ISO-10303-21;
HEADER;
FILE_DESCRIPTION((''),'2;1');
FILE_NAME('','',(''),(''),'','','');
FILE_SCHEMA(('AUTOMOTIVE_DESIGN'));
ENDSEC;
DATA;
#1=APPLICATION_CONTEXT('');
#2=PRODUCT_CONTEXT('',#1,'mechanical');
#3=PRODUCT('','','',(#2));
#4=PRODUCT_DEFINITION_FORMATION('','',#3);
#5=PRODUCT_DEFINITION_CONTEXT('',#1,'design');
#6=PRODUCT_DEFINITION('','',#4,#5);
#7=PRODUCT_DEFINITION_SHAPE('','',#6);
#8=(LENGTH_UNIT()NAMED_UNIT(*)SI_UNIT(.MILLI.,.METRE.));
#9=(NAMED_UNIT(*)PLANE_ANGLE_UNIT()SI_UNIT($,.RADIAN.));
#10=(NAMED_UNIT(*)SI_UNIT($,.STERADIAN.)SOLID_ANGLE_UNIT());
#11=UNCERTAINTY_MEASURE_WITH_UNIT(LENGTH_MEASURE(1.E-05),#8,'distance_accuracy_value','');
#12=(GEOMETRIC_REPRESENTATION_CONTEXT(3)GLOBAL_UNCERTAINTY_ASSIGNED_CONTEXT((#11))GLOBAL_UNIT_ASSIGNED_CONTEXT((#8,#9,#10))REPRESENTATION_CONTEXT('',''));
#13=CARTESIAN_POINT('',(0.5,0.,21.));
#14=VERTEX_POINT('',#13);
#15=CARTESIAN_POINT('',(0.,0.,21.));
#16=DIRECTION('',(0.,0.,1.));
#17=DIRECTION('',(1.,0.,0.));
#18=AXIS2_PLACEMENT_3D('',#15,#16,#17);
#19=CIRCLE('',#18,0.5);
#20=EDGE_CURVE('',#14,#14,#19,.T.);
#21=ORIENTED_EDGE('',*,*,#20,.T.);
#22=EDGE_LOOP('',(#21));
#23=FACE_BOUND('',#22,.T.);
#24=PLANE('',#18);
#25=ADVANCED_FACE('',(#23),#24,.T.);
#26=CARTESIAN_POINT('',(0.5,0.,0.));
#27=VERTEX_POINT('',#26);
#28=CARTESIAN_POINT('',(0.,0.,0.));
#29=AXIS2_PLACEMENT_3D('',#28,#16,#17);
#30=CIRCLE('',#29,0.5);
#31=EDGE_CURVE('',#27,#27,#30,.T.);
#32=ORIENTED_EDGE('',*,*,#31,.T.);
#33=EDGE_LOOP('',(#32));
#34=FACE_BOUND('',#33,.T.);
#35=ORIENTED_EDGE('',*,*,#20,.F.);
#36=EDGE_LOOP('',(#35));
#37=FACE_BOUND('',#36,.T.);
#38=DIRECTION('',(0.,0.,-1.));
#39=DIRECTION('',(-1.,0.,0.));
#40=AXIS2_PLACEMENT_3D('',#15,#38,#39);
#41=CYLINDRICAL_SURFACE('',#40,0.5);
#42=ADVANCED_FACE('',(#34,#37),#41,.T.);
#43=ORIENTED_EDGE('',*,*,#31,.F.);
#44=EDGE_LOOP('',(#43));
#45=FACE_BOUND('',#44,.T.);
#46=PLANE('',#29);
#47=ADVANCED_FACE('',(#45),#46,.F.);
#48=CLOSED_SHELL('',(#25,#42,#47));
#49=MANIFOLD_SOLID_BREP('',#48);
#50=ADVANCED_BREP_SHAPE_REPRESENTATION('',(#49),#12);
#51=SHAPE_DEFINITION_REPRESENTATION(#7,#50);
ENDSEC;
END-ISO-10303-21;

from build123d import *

# Parameters (mm, degrees)
SKETCH1_R           = 0.5
BOSS_EXTRUDE1_DEPTH = 21


with BuildPart() as part:
    # Sketch1 → Boss-Extrude1 (new body)
    with BuildSketch(Plane.XY):
        Circle(SKETCH1_R)
    extrude(amount=BOSS_EXTRUDE1_DEPTH)


solid = part.part
